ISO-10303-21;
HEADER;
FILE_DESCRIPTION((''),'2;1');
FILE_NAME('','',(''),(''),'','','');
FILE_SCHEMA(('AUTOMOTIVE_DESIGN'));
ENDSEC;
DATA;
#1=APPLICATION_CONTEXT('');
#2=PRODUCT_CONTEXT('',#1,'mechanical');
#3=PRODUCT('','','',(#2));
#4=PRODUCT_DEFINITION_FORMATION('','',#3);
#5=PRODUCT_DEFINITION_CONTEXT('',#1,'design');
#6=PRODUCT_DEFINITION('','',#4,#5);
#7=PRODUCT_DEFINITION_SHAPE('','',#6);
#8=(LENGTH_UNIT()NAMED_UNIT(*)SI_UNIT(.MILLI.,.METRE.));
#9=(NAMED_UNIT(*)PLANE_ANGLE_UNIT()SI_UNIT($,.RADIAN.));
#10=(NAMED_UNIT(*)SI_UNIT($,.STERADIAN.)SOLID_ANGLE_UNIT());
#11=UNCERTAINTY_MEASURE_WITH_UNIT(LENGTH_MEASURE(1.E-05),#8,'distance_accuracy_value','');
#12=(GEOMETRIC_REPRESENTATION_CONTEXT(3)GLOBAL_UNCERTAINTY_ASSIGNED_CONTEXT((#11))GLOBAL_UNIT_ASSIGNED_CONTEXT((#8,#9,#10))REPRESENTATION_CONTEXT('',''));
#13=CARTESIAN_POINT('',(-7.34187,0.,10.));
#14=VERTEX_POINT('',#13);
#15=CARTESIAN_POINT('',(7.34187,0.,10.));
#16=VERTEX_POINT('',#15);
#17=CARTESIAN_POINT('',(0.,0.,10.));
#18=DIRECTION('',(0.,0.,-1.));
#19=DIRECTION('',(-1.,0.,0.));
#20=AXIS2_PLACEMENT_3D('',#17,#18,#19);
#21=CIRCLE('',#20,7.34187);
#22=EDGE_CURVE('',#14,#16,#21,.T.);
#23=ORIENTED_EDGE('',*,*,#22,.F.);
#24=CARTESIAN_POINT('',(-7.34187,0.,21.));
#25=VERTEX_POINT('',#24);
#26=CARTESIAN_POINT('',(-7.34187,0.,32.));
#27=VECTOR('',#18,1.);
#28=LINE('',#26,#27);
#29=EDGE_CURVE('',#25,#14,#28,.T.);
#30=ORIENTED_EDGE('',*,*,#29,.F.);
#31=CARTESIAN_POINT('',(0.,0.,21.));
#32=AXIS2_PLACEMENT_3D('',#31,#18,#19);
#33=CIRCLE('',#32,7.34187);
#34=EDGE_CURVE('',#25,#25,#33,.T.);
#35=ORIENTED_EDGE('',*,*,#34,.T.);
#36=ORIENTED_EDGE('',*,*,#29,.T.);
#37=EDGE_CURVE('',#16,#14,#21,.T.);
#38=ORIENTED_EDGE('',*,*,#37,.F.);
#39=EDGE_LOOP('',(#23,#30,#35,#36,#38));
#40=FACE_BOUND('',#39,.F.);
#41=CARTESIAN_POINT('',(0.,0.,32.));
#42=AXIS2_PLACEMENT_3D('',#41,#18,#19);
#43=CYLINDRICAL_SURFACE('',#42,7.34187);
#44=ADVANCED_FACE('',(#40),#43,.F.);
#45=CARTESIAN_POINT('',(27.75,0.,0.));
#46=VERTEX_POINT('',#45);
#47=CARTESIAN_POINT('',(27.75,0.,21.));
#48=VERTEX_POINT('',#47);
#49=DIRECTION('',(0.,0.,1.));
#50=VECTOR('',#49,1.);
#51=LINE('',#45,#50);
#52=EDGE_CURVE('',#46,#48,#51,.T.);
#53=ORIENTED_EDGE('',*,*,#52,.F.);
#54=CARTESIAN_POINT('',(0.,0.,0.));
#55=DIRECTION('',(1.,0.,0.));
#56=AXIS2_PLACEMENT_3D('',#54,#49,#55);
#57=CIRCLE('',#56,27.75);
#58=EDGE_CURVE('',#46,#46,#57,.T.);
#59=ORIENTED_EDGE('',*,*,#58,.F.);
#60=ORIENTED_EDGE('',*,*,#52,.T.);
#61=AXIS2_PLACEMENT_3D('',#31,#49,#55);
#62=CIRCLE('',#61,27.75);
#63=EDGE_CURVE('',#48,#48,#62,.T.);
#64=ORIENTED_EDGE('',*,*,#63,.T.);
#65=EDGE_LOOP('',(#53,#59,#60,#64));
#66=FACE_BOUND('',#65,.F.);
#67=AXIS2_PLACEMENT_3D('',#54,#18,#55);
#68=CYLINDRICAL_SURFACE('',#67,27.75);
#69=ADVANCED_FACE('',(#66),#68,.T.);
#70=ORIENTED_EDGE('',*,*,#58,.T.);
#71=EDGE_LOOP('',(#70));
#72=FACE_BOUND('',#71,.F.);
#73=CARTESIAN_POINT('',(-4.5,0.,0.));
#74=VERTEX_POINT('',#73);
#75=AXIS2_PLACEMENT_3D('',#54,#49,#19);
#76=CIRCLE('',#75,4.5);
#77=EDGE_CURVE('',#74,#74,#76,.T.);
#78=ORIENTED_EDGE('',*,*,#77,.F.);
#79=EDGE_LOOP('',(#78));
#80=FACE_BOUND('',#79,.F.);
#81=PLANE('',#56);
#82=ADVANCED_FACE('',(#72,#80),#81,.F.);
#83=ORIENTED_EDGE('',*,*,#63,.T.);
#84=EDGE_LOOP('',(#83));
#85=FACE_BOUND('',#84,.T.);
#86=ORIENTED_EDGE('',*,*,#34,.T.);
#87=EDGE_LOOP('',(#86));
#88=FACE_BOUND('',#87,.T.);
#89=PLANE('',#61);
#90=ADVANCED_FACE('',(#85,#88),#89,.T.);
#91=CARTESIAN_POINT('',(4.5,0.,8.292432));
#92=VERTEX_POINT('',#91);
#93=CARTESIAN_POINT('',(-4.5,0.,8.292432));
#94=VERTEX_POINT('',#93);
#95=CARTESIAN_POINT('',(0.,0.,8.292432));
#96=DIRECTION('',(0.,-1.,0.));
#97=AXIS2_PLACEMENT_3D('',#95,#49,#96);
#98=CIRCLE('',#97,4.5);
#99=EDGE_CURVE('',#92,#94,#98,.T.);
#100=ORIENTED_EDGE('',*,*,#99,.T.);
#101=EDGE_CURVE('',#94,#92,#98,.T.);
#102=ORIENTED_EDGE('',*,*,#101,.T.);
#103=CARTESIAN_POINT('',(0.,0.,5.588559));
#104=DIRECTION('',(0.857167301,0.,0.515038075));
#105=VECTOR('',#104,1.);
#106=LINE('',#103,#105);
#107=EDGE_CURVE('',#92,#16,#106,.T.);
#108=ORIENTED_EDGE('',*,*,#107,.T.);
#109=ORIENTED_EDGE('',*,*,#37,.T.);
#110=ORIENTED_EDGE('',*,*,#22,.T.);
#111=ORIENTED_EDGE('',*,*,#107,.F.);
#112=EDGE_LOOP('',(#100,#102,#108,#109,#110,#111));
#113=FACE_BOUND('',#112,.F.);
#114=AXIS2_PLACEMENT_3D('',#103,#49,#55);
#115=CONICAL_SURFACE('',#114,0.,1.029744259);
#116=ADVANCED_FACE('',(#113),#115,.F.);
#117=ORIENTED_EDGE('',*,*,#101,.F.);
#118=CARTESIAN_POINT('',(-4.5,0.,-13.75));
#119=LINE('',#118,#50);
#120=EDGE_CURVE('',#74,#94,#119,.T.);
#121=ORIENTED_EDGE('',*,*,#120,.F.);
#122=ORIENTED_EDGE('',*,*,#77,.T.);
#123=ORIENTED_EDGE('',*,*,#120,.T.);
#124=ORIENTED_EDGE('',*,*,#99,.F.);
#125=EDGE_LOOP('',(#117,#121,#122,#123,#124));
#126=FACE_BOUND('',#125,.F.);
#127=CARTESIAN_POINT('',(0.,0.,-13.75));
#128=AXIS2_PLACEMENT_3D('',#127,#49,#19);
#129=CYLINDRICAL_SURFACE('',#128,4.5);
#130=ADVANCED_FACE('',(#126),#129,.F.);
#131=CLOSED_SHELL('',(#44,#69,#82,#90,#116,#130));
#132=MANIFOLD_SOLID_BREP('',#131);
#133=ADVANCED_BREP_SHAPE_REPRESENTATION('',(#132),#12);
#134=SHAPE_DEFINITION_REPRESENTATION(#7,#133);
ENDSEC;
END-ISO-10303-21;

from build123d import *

# Parameters (mm, degrees)
F0_R     = 27.75
F1_DEPTH = 21
F3_D     = 14.68374
F3_DEPTH = 11
F3_TIP   = 4.411440553
F5_D     = 9
F5_DEPTH = 13.75
F5_TIP   = 2.7038727856


with BuildPart() as f1:
    # F0 (on Top) → F1 (new body)
    with BuildSketch(Plane.XY):
        Circle(F0_R)
    extrude(amount=F1_DEPTH)

    # F3
    with Locations(Plane.XY.offset(21)):
        with Locations((0, 0)):
            Hole(F3_D / 2, depth=F3_DEPTH)
            with Locations((0, 0, -(F3_DEPTH + F3_TIP / 2))):  # 118° drill point
                Cone(0, F3_D / 2, F3_TIP, mode=Mode.SUBTRACT)

    # F5
    with Locations(Plane(origin=(0, 0, 0), x_dir=(1, 0, 0), z_dir=(0, 0, -1))):
        with Locations((0, 0)):
            Hole(F5_D / 2, depth=F5_DEPTH)
            with Locations((0, 0, -(F5_DEPTH + F5_TIP / 2))):  # 118° drill point
                Cone(0, F5_D / 2, F5_TIP, mode=Mode.SUBTRACT)


solid = f1.part
